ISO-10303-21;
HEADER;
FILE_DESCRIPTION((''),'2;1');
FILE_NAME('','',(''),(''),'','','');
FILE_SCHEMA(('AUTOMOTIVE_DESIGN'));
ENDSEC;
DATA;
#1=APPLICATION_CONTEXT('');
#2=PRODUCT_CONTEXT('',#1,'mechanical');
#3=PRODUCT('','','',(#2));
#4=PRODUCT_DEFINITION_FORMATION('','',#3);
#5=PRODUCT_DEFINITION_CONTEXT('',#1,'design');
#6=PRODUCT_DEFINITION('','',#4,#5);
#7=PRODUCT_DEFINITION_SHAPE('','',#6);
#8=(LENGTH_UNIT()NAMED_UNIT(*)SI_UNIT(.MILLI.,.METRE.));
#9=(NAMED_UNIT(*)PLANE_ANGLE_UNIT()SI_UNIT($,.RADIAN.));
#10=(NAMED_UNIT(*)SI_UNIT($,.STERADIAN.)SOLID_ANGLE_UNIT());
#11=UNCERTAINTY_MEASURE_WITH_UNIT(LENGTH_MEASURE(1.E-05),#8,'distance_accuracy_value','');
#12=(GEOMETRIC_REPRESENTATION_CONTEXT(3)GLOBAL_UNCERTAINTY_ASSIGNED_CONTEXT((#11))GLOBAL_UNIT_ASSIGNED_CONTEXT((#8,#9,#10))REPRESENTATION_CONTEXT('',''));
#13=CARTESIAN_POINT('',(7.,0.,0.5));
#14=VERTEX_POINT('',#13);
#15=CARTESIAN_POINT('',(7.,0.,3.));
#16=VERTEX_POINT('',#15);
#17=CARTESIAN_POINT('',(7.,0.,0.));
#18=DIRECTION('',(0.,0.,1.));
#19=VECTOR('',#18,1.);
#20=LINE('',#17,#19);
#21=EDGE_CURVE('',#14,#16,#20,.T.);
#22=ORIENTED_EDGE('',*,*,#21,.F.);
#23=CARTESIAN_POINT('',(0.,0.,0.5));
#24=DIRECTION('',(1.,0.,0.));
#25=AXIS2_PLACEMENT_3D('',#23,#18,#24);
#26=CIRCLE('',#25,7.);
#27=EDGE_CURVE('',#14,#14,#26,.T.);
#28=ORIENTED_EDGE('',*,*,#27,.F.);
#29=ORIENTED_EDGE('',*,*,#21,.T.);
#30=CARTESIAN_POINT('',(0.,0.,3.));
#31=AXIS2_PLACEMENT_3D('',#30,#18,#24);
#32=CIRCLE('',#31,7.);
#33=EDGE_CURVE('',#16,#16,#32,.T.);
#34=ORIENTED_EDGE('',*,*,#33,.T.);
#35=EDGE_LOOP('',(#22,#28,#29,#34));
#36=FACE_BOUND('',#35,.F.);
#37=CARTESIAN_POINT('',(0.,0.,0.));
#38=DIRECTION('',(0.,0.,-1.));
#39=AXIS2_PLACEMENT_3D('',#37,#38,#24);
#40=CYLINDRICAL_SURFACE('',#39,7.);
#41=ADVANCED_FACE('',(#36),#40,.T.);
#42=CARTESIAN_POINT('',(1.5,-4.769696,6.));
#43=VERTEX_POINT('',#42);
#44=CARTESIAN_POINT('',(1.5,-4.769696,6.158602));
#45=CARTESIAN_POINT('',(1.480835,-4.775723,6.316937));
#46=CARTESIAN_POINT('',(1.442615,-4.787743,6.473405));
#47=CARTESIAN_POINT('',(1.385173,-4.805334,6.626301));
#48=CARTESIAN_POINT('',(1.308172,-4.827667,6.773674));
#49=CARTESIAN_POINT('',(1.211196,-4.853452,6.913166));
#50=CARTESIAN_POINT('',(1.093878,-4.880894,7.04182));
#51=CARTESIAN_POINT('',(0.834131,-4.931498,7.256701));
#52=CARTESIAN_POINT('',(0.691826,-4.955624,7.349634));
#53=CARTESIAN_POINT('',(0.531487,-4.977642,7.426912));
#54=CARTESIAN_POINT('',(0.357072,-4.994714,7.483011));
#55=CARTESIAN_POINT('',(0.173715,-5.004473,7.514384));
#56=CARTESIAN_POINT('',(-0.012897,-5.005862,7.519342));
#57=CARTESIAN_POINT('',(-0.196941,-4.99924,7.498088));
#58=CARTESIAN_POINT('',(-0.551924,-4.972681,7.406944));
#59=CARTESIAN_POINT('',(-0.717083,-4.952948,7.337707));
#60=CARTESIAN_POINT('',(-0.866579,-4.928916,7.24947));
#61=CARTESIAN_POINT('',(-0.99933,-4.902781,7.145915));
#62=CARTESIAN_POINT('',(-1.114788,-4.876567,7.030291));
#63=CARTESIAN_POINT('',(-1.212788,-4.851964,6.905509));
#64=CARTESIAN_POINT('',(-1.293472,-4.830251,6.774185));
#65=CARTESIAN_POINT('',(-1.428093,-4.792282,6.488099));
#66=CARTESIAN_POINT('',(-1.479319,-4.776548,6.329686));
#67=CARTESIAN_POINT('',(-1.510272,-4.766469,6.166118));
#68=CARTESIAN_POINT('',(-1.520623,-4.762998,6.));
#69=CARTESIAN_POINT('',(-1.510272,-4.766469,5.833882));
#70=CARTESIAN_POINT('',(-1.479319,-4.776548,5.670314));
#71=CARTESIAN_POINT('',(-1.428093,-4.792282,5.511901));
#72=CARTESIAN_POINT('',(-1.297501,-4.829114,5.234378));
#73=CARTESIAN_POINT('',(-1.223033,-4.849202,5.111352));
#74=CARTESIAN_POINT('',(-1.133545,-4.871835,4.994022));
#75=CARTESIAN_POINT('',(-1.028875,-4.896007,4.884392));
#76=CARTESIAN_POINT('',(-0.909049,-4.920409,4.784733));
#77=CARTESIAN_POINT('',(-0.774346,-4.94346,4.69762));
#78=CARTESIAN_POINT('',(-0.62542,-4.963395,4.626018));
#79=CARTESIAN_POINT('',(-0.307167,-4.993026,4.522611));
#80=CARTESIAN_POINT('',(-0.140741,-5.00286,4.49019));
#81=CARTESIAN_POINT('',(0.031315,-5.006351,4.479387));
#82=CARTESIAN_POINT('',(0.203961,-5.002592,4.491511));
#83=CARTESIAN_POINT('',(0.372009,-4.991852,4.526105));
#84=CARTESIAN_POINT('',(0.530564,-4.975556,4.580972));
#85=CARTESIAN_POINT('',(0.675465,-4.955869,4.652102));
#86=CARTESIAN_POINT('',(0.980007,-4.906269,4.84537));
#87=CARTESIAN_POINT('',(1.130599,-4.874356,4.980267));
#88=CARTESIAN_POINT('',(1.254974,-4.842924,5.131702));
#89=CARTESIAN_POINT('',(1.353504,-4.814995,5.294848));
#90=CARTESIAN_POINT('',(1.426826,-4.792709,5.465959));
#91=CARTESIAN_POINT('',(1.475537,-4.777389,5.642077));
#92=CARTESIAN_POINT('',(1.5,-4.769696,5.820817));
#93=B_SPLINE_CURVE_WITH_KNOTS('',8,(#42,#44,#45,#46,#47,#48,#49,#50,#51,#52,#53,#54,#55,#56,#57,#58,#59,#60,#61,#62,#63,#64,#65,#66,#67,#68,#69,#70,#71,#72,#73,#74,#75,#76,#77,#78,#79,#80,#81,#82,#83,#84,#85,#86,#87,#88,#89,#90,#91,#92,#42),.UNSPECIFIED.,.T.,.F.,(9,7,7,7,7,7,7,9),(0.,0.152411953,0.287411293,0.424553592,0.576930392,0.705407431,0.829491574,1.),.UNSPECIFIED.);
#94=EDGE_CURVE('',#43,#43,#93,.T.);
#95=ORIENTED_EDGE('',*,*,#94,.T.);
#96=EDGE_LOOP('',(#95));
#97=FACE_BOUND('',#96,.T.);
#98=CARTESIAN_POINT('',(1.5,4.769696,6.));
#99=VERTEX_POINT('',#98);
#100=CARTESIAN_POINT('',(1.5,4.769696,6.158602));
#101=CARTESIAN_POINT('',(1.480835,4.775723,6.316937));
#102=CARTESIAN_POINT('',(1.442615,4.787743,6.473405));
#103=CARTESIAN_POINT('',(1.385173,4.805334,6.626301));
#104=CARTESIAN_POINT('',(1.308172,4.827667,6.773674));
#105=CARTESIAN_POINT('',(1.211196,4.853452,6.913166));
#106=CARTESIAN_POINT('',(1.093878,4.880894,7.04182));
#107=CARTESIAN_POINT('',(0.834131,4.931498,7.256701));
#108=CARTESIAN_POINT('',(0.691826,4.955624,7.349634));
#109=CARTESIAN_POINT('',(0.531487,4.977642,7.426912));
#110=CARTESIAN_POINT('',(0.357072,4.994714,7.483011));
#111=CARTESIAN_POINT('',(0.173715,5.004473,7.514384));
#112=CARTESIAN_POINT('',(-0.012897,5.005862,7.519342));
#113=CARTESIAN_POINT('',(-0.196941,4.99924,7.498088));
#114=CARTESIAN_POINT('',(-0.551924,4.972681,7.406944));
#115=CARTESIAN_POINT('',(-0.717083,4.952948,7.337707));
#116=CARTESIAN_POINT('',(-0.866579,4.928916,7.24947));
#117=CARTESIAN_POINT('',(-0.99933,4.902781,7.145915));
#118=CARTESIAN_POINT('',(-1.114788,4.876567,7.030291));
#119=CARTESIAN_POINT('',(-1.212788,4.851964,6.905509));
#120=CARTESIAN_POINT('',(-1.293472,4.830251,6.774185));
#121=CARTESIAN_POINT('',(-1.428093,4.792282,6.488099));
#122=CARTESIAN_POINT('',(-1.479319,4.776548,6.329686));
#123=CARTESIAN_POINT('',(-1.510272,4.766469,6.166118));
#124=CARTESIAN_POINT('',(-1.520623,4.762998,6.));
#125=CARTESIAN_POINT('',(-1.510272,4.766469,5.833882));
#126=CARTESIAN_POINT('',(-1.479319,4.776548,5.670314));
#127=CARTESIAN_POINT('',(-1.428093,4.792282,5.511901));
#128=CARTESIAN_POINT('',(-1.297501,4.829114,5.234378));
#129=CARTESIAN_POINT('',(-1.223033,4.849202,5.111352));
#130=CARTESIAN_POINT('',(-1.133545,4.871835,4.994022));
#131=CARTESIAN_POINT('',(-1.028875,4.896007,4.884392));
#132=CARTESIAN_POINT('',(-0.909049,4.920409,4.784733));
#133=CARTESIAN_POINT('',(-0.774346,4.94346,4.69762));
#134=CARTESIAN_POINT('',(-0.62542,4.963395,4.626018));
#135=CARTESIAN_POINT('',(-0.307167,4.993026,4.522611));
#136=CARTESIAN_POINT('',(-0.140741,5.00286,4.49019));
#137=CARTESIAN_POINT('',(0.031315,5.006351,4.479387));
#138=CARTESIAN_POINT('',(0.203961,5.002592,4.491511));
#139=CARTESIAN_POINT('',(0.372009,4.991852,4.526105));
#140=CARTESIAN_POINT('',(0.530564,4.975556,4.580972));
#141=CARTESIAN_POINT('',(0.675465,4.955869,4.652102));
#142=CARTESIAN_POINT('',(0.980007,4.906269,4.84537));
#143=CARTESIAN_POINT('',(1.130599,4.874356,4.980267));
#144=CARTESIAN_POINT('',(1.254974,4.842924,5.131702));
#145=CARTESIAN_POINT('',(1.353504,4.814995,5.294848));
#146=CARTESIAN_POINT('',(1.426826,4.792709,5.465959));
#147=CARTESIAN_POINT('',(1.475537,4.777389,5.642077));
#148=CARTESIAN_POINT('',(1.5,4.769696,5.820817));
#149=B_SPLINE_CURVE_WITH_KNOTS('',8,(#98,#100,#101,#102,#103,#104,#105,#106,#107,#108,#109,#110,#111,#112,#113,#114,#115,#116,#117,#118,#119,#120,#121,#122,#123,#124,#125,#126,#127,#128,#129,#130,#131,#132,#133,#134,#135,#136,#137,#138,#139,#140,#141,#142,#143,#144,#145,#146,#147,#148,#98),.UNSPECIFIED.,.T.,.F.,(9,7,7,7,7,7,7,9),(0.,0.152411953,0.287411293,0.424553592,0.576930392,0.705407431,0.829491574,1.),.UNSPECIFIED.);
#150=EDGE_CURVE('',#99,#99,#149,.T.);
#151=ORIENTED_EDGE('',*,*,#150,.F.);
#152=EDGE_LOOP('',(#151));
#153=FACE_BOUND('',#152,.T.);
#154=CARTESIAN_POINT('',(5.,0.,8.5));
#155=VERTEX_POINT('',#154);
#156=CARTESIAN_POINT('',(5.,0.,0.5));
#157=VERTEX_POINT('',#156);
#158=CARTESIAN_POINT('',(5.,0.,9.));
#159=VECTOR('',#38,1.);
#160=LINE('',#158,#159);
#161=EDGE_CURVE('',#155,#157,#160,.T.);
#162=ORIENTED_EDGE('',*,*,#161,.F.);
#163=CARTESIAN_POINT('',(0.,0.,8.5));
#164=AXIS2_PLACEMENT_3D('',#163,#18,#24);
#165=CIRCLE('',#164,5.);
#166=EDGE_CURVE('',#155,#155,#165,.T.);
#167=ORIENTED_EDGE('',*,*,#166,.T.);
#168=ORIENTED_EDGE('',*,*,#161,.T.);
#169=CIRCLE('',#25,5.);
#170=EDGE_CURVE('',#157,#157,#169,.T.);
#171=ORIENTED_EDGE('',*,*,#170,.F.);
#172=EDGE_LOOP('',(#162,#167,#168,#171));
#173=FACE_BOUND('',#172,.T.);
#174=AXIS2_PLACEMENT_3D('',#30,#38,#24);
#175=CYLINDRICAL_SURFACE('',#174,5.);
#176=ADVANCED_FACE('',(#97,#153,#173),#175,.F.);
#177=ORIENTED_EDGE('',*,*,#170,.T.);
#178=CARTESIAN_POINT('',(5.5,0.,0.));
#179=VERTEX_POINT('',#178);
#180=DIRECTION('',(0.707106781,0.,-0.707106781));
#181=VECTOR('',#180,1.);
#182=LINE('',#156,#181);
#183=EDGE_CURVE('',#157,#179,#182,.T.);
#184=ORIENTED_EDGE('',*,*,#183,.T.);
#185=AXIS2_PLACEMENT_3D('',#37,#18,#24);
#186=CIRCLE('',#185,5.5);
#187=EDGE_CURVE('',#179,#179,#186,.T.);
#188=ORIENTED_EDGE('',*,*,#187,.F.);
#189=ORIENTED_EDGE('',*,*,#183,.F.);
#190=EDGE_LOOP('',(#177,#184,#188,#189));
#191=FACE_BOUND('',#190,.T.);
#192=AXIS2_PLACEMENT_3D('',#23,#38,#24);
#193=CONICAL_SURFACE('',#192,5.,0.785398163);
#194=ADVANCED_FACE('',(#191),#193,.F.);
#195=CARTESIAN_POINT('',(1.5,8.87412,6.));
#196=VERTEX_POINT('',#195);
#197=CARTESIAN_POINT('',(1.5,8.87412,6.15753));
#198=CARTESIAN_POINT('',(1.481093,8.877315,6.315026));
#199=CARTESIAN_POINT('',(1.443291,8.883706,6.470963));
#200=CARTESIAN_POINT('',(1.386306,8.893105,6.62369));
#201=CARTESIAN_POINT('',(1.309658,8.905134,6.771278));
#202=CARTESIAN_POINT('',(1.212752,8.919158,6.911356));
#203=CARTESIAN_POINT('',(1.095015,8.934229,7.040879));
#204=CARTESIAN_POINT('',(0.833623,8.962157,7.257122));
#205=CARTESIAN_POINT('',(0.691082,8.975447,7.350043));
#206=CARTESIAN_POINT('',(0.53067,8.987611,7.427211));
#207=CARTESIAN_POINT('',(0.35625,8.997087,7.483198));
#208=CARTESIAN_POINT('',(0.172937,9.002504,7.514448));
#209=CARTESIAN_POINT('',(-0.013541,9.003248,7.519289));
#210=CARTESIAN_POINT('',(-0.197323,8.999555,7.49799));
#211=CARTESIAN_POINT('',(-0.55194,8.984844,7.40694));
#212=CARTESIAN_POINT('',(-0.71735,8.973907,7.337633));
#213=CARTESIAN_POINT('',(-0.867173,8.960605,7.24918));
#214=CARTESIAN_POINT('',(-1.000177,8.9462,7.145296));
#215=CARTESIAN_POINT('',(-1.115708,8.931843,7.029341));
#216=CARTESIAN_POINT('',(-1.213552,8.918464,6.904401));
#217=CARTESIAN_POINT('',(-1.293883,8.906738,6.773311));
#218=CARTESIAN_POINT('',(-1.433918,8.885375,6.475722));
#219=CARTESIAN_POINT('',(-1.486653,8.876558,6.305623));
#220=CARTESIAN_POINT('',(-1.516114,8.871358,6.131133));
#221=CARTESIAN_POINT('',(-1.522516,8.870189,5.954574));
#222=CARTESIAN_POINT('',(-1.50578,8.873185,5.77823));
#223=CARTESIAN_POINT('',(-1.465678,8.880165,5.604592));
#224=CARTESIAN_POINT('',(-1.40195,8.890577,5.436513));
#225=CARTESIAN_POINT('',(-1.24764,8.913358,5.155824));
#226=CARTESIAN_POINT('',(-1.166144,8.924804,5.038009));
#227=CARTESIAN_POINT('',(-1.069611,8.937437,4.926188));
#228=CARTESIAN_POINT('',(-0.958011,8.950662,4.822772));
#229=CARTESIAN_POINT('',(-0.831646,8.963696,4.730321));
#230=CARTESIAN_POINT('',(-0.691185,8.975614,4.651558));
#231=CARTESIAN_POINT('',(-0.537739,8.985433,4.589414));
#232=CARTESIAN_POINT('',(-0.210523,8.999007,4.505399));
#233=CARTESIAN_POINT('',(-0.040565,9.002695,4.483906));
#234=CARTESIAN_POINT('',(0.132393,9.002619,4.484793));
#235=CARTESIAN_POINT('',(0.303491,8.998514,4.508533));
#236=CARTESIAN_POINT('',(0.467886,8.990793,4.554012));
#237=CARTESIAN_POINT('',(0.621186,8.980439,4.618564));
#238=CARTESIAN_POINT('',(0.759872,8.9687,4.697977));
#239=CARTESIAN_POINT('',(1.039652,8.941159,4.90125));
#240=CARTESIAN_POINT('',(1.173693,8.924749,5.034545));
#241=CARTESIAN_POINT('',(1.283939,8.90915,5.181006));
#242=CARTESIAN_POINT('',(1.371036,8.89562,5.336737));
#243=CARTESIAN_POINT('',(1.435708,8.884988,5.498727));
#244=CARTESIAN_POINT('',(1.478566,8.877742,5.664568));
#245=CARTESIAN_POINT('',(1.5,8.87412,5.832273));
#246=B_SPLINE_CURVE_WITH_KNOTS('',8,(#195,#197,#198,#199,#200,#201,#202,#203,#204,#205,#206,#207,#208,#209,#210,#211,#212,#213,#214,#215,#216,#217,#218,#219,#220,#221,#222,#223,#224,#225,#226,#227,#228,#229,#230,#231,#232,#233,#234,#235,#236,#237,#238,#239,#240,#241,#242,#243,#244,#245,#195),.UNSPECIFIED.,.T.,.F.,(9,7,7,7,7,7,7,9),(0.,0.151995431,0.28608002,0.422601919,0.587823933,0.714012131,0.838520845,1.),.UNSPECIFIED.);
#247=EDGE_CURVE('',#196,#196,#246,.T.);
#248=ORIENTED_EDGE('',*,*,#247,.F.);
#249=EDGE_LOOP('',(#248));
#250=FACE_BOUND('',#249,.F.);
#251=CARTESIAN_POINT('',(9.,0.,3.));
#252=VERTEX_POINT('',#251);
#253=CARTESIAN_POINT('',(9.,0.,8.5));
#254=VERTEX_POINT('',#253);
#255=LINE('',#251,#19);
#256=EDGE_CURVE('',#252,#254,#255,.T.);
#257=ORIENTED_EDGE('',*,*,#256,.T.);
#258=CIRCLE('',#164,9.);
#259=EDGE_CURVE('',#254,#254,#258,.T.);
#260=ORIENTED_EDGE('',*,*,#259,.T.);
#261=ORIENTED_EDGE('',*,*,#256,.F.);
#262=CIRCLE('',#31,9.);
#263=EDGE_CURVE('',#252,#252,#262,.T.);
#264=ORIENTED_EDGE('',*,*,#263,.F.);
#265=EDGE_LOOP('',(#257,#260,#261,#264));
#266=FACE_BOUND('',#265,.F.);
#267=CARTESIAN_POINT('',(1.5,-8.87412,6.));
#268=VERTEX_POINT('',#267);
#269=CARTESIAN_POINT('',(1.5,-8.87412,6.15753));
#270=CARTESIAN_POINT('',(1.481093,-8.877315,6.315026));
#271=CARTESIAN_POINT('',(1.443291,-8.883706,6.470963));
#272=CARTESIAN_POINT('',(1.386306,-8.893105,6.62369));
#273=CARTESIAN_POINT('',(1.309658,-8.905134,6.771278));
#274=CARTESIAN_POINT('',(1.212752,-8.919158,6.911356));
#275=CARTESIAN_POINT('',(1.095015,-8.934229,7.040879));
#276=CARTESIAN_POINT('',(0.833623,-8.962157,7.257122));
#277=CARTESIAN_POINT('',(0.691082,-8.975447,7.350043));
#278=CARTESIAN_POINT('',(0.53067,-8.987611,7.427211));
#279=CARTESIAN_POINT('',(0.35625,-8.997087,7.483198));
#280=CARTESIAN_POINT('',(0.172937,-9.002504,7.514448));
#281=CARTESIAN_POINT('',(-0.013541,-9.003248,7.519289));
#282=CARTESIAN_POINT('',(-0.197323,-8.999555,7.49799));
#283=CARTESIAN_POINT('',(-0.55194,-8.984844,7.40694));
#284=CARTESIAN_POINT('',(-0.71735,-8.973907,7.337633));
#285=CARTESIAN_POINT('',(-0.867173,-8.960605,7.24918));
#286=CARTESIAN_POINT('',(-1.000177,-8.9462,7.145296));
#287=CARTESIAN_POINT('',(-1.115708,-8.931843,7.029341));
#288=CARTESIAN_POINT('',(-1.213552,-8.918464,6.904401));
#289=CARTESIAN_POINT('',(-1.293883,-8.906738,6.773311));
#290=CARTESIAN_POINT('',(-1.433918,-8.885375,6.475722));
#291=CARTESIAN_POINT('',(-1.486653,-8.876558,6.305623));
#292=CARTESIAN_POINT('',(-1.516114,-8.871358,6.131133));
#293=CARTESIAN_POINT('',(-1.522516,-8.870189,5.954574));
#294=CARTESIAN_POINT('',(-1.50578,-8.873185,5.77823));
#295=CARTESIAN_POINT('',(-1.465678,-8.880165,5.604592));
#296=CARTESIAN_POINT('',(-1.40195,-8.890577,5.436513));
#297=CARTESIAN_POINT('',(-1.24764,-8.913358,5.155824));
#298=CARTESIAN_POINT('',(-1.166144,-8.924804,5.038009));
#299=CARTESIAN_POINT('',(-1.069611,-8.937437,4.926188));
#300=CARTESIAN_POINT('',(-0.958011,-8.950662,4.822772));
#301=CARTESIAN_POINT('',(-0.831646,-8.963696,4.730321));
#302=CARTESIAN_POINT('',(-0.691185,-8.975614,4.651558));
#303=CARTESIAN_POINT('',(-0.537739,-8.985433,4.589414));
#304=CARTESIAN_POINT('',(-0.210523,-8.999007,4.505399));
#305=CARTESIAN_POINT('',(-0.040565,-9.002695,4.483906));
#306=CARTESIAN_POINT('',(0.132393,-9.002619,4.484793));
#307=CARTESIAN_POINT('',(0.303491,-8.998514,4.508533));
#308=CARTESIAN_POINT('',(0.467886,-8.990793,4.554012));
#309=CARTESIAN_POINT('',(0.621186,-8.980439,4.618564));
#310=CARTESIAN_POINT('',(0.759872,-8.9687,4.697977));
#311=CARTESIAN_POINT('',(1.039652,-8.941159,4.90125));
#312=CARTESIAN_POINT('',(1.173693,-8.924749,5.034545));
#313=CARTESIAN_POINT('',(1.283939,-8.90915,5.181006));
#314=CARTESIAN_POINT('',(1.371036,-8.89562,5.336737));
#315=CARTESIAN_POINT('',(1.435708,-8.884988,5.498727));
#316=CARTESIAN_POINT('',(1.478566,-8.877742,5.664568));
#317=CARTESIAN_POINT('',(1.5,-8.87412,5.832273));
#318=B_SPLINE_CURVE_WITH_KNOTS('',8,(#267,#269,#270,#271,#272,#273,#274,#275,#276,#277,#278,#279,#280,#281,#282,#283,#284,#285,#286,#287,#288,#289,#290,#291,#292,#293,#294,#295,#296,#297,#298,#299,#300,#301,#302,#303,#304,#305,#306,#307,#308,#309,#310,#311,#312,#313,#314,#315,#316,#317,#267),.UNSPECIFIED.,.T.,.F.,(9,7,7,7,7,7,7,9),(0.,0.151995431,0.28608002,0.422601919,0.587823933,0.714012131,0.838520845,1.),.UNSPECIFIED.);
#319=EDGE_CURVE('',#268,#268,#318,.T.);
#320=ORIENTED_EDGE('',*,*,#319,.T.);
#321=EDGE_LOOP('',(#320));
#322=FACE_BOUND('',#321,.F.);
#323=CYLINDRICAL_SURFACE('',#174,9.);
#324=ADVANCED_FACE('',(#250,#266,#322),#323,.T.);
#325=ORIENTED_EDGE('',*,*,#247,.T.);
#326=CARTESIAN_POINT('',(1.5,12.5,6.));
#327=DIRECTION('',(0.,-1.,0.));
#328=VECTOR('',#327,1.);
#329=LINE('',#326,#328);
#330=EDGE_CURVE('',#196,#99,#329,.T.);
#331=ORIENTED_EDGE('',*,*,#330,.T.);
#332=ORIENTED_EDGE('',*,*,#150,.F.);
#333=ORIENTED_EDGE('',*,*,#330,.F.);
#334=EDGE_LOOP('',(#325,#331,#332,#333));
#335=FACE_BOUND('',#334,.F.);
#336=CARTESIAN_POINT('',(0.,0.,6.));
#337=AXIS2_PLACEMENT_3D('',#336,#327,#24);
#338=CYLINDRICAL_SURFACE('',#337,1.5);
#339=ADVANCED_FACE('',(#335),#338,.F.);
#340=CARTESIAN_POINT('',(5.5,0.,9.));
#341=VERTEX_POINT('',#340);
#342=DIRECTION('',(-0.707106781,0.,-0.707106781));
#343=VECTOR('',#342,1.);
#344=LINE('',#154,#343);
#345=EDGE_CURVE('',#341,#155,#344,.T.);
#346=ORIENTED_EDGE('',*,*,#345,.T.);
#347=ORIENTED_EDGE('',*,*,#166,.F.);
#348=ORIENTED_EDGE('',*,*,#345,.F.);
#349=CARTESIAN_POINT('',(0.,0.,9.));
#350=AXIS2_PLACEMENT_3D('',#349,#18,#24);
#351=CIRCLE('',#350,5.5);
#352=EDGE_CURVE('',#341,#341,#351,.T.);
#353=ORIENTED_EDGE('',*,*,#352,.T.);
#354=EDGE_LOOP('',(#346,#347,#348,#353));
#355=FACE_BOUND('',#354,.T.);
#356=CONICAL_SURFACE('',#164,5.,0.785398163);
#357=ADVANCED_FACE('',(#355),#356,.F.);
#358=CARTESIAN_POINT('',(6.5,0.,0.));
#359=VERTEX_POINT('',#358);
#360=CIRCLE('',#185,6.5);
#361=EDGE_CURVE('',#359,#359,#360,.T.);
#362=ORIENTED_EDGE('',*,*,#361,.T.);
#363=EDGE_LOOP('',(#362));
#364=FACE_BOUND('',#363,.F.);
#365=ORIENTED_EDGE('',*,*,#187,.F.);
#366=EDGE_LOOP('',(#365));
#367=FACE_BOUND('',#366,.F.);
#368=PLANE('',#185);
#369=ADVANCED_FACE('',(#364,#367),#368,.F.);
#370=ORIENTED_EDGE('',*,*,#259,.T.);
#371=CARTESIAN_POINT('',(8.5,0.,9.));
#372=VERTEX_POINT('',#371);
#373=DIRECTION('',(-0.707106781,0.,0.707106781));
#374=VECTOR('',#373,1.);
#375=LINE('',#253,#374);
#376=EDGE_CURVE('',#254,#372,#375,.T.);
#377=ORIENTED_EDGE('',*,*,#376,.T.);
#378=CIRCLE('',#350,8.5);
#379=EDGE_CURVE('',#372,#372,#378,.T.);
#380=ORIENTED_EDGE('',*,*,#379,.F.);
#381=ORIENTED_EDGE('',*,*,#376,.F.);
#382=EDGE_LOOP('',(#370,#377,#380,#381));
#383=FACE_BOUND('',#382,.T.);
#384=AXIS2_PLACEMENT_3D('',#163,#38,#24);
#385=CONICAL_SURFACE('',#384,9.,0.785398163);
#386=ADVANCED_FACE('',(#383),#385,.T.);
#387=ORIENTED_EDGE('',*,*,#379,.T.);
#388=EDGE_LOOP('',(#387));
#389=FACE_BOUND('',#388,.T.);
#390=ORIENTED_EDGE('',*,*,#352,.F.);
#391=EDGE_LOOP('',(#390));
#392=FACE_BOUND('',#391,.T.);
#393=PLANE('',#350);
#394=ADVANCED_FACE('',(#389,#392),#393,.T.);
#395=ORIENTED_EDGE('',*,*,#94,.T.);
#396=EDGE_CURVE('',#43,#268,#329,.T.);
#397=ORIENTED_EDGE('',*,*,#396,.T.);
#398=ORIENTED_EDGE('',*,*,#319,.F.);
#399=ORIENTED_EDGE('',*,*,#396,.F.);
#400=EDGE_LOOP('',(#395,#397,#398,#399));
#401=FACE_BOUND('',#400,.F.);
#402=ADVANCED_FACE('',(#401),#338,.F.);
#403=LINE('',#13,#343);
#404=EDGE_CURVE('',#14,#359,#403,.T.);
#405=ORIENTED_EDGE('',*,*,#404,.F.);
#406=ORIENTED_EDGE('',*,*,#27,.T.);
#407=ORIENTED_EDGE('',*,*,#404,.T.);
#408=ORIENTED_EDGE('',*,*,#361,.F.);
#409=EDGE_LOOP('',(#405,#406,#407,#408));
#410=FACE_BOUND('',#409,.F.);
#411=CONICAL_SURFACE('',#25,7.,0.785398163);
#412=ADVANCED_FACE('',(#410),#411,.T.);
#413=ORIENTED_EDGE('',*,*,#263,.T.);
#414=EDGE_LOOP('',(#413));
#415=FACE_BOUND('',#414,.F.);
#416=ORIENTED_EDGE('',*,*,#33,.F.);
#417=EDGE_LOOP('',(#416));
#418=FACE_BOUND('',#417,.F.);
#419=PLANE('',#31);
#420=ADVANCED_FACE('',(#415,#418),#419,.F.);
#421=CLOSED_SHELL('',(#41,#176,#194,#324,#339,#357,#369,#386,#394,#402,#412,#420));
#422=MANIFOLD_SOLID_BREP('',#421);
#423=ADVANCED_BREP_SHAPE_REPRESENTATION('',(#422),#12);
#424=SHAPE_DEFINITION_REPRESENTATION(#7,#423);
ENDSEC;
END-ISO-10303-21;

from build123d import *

# Parameters (mm, degrees)
F0_R     = 7
F0_R_2   = 5
F1_DEPTH = 3
F2_R     = 9
F2_R_2   = 5
F3_DEPTH = 6
F4_R     = 1.5
F5_DEPTH = 12.5
F6_SIZE  = 0.5


with BuildPart() as f1:
    # F0 (on Top) → F1 (new body)
    with BuildSketch(Plane.XY):
        Circle(F0_R)
        Circle(F0_R_2, mode=Mode.SUBTRACT)
    extrude(amount=F1_DEPTH)

    # F2 (on face) → F3 (join)
    with BuildSketch(Plane.XY.offset(3)):
        Circle(F2_R)
        Circle(F2_R_2, mode=Mode.SUBTRACT)
    extrude(amount=F3_DEPTH)

    # F4 (on Front) → F5 (cut, symmetric)
    with BuildSketch(Plane.XZ):
        with Locations((0, 6)):
            Circle(F4_R)
    extrude(amount=F5_DEPTH, both=True, mode=Mode.SUBTRACT)

    # F6
    f6_edges = [f1.edges().sort_by_distance(p)[0] for p in [
        (-9, 0, 9),
        (-7, 0, 0),
        (-5, 0, 9),
        (-5, 0, 0),
    ]]
    chamfer(f6_edges, length=F6_SIZE)


solid = f1.part
